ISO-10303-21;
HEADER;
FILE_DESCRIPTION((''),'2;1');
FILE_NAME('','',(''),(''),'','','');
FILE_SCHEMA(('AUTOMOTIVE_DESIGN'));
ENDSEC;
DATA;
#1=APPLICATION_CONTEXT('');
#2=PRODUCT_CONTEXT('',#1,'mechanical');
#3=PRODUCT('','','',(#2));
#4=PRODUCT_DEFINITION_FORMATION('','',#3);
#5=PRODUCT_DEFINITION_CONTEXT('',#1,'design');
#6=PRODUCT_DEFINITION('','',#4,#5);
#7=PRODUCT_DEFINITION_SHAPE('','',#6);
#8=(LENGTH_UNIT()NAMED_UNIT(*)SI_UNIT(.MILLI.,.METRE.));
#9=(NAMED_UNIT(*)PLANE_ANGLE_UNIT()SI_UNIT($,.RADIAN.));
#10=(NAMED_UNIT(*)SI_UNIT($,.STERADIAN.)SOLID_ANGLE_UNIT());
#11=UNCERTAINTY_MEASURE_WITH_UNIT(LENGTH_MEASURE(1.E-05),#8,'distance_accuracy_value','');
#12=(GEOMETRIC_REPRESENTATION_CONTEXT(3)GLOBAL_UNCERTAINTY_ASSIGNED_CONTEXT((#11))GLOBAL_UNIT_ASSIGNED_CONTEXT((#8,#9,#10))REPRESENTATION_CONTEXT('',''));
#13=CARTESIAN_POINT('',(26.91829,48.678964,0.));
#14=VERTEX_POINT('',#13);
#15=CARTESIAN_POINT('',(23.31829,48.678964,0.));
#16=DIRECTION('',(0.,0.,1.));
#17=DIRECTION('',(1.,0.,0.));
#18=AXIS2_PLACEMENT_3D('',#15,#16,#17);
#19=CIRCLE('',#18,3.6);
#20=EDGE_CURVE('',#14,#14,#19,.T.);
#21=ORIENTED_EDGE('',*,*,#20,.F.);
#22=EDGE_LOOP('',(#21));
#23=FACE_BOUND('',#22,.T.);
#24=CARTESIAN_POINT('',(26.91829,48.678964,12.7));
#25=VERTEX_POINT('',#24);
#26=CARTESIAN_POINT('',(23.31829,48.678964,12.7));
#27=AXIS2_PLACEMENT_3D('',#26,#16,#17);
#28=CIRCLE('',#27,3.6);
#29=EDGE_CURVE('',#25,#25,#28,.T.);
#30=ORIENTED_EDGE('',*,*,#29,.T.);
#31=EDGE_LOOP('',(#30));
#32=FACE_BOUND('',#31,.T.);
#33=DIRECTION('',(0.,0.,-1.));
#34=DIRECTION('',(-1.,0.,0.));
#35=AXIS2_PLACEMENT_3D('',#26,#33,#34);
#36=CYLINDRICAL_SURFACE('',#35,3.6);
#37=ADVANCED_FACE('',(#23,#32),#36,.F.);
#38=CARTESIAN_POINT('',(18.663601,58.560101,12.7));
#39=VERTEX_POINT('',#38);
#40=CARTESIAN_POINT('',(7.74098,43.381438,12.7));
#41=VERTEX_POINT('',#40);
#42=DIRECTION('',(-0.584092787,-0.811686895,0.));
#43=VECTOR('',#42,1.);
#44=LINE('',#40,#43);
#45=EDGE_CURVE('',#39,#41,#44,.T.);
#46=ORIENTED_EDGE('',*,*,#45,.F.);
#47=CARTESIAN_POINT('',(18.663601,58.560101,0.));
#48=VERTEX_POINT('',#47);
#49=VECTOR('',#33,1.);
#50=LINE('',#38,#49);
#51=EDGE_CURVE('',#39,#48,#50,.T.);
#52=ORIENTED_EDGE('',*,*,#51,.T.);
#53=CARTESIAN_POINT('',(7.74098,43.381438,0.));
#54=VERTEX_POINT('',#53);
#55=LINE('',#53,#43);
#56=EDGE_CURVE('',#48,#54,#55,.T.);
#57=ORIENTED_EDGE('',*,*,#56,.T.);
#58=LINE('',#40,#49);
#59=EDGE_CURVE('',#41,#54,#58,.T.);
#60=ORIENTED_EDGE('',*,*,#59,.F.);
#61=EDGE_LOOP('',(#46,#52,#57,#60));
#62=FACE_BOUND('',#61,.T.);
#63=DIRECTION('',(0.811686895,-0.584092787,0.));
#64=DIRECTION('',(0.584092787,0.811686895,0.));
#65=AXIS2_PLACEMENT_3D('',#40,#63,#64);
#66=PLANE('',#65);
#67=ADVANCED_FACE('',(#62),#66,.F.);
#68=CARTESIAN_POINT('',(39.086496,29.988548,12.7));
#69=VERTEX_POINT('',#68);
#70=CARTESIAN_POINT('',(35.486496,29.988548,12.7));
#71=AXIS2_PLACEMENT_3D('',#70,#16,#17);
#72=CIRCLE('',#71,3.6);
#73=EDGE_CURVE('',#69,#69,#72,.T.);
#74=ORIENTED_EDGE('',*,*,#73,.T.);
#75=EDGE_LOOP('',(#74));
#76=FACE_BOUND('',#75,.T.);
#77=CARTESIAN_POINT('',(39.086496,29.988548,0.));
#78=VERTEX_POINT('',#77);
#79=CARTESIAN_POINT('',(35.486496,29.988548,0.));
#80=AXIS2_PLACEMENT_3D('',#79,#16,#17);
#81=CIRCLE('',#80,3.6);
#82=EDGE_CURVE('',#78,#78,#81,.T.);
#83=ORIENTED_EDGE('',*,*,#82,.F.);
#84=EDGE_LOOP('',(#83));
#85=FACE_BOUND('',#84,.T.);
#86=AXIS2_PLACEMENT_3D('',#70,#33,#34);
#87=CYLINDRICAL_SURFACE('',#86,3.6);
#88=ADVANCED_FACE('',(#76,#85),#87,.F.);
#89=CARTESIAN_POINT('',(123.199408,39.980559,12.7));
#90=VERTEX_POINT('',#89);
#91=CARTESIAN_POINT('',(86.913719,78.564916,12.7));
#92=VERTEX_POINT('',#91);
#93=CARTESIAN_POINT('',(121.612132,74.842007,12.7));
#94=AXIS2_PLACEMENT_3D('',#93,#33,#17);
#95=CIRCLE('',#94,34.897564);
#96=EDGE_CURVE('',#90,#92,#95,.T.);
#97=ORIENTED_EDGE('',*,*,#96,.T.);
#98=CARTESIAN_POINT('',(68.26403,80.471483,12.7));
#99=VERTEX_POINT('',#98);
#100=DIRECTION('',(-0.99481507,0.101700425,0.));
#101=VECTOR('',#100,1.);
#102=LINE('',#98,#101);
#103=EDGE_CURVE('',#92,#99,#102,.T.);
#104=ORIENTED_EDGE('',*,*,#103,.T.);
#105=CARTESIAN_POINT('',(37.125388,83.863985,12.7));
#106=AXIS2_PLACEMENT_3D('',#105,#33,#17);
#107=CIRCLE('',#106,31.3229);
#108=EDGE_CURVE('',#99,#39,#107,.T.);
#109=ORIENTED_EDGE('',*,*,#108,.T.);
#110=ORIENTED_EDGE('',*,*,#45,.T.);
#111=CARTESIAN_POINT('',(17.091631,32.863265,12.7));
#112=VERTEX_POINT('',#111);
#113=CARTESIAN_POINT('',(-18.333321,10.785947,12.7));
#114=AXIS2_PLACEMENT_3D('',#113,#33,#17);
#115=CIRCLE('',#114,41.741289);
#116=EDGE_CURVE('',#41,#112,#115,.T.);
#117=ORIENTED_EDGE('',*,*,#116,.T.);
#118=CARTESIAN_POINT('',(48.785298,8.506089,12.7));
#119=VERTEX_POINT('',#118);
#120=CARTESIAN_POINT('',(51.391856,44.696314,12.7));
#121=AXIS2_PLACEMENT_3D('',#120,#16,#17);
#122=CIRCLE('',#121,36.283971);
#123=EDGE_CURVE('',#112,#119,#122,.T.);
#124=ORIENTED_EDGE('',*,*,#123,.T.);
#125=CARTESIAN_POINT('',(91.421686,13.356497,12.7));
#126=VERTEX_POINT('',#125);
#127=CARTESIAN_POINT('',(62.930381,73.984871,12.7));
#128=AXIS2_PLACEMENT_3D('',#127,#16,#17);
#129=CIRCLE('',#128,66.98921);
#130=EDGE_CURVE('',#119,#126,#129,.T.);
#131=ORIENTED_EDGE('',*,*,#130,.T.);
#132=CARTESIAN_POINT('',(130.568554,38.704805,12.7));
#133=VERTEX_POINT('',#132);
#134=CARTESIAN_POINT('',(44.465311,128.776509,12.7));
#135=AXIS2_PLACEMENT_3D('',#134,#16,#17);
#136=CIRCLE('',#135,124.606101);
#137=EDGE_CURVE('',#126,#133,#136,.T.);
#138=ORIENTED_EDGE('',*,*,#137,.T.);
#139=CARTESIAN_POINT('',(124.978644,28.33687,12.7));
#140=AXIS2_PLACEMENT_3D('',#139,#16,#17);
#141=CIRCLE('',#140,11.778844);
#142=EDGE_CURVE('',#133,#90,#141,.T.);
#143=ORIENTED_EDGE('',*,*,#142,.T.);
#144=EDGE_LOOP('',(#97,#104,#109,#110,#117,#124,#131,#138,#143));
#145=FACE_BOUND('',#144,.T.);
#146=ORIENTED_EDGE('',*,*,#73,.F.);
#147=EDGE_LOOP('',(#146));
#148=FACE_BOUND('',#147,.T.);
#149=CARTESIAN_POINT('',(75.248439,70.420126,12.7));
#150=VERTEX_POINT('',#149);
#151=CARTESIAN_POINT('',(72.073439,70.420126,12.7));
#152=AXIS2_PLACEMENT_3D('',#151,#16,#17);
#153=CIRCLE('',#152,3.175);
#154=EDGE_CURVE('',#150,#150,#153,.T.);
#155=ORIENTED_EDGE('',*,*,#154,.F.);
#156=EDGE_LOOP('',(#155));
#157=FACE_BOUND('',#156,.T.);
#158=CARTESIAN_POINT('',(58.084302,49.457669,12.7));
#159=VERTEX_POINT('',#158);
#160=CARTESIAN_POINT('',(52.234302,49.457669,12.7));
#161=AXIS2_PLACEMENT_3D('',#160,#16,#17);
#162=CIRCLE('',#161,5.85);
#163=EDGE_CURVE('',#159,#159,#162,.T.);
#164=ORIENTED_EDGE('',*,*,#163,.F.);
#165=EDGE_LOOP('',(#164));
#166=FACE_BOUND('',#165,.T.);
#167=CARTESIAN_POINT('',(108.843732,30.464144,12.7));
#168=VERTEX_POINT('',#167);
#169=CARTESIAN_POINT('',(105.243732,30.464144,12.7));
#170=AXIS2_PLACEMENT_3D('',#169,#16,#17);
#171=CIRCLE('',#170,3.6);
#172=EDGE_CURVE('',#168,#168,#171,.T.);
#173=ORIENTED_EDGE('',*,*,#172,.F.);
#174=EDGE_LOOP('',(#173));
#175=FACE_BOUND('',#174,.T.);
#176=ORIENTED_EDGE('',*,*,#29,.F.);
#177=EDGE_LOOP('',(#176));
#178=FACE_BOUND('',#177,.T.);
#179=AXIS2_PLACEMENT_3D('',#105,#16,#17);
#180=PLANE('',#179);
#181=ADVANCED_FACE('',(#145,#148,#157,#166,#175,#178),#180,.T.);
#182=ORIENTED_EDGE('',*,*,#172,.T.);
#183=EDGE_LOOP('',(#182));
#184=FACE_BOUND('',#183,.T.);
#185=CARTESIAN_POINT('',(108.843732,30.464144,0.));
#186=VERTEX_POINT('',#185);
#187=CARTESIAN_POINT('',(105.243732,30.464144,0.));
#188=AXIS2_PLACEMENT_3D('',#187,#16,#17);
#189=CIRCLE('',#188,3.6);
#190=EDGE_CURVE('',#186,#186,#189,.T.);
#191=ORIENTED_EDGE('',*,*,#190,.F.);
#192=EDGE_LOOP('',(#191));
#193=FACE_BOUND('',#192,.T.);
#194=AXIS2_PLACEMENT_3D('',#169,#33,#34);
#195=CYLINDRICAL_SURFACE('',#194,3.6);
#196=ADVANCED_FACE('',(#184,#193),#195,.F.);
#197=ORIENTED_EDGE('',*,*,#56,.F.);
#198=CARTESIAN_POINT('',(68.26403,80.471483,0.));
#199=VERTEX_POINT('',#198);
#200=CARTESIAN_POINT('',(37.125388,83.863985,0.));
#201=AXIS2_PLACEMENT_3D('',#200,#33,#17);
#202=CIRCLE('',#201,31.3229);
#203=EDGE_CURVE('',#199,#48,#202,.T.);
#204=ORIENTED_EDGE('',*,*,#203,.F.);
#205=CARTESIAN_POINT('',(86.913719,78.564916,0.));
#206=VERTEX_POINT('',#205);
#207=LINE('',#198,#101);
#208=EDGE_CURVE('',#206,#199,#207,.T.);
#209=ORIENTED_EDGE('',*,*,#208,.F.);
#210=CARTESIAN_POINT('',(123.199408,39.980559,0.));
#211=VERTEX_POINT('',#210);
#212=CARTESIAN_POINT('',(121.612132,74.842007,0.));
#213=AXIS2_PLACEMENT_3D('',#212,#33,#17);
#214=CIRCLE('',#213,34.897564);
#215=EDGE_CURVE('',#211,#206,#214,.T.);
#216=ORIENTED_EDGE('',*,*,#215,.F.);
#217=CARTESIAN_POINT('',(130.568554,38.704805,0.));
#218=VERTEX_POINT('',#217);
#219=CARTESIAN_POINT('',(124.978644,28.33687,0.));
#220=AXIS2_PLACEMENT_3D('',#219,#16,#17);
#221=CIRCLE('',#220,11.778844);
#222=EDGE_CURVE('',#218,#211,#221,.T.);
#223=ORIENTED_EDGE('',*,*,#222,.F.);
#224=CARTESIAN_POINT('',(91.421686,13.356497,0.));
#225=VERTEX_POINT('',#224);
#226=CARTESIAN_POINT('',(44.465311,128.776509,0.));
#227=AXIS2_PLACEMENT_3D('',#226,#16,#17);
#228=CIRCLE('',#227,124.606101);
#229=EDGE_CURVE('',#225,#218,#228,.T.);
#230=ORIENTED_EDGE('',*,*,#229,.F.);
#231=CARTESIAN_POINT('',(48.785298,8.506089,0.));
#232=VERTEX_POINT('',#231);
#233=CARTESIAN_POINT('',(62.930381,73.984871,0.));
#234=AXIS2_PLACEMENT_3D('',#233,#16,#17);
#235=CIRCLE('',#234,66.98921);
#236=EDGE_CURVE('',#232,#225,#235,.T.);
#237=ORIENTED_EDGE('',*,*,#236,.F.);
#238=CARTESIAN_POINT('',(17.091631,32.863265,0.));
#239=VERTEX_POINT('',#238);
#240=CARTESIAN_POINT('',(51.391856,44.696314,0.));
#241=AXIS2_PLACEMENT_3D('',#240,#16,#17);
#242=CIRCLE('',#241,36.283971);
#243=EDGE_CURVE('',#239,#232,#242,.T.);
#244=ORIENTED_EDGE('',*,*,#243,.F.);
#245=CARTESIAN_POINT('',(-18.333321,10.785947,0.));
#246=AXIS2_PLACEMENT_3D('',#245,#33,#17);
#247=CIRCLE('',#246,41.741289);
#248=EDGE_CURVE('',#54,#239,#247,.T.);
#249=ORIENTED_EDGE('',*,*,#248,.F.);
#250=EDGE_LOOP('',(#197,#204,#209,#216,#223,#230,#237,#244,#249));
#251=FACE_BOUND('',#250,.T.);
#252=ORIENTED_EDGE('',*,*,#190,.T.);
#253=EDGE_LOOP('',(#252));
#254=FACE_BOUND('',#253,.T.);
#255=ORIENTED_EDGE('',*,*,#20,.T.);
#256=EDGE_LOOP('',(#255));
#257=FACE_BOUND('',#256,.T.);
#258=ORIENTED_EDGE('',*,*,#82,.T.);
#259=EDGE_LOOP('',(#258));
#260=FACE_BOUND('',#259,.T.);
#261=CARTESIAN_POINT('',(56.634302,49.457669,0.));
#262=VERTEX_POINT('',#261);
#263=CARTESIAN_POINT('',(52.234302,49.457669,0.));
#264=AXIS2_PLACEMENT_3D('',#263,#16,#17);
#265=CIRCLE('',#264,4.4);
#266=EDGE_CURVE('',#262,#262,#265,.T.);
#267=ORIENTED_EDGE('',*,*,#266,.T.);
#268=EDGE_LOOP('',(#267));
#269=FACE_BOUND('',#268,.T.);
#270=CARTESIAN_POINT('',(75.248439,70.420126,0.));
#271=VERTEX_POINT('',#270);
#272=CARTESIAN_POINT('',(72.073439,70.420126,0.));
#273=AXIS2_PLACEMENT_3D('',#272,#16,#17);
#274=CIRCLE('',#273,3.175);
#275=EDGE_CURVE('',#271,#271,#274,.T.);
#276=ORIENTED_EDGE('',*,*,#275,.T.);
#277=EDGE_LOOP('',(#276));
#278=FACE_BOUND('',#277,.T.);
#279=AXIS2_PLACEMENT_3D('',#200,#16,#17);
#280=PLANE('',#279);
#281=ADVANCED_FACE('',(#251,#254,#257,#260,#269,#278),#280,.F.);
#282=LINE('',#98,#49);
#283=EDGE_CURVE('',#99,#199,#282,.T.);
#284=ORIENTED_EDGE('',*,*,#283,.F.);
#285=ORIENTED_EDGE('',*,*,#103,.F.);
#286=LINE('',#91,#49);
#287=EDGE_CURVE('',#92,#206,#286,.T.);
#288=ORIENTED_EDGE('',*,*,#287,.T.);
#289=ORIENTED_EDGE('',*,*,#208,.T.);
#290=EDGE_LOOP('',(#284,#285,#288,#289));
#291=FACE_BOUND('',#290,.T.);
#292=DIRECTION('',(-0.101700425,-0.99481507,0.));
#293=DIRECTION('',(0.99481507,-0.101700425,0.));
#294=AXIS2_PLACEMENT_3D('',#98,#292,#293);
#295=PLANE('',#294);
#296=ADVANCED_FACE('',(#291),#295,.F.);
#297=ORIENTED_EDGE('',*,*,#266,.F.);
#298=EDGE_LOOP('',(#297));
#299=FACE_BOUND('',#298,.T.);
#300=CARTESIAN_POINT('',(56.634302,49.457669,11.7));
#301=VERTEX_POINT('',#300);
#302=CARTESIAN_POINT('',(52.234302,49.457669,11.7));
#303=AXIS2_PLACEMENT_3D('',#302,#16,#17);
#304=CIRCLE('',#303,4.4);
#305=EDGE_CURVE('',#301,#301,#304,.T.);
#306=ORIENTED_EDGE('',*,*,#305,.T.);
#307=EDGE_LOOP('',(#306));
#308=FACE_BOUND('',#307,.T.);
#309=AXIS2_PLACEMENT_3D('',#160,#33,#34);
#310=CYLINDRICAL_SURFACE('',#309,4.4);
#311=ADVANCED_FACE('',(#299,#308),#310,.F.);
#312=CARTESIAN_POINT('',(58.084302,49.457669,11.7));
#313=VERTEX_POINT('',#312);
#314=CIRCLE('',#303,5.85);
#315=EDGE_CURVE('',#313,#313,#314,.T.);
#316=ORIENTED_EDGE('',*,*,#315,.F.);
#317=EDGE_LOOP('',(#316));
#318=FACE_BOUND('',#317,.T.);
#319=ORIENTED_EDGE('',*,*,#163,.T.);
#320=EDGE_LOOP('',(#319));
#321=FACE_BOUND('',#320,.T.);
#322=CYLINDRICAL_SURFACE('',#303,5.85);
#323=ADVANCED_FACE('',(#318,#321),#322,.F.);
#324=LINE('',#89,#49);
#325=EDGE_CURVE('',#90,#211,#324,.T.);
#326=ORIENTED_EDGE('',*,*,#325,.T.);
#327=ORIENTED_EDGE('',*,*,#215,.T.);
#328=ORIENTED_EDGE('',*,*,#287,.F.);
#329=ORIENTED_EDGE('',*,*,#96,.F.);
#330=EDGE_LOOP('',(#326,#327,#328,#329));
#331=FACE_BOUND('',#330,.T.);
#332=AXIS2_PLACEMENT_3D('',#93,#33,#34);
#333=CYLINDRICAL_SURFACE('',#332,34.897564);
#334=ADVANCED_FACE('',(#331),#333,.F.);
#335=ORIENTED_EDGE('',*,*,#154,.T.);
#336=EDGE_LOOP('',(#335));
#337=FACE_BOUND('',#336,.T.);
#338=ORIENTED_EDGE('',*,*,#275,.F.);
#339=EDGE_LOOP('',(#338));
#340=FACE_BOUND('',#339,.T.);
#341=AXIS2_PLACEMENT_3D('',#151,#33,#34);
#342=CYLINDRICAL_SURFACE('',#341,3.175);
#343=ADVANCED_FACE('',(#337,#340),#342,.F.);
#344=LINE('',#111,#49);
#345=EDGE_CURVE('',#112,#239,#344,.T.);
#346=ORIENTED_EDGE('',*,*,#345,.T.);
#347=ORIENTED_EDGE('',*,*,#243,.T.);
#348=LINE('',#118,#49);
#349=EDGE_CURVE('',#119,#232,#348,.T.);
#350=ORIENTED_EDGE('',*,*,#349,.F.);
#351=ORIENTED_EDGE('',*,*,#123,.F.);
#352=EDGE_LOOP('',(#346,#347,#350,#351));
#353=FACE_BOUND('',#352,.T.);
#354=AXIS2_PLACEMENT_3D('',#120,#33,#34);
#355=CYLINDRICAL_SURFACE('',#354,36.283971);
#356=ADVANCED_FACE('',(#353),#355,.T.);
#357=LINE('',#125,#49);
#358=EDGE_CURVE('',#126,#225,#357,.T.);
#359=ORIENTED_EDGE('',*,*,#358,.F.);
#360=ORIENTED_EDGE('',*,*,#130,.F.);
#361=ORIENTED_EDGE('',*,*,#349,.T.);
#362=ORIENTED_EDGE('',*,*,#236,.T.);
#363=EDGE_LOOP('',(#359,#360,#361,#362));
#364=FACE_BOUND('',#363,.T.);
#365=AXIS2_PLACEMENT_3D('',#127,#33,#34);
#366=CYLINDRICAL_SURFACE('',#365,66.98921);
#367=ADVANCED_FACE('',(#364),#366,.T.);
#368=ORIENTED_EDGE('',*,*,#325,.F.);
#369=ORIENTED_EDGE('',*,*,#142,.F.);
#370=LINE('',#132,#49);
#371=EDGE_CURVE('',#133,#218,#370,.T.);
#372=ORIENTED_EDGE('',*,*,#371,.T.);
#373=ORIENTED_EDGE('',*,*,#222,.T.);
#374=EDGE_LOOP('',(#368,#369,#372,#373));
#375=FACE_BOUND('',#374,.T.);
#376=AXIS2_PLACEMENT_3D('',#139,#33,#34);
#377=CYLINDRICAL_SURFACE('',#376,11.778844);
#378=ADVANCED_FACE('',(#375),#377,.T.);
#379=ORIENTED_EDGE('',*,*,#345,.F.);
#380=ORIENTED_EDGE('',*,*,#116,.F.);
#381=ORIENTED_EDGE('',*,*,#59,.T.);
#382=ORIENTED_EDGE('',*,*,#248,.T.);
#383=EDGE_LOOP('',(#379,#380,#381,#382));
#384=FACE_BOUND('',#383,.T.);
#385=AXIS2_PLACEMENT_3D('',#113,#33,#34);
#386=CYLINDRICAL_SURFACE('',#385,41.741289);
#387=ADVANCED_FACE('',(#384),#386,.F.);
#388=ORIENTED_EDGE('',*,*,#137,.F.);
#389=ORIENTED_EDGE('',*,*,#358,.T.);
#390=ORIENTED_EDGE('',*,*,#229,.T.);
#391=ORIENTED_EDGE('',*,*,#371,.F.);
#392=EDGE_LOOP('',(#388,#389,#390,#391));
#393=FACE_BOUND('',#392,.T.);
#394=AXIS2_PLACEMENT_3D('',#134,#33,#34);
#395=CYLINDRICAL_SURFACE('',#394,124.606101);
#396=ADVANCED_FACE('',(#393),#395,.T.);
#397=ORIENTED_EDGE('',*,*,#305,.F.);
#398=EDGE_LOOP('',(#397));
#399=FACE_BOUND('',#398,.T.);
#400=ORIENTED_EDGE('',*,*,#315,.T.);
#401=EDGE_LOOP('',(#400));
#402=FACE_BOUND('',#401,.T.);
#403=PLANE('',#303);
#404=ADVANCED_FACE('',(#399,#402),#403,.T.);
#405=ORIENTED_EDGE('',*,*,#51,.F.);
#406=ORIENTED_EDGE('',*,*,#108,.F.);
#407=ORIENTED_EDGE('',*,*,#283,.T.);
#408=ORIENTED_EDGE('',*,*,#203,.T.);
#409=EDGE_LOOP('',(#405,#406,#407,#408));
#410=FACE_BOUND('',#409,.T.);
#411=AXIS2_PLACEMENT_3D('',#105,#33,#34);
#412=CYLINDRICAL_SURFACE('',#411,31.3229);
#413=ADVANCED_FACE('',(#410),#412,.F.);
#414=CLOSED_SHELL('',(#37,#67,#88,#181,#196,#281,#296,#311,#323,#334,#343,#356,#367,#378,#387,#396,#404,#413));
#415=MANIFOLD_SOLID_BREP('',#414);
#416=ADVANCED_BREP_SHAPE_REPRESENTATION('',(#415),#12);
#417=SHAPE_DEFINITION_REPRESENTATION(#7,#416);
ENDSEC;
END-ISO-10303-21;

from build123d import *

# Parameters (mm, degrees)
ESBO_O1_R                = 3.175
ESBO_O1_R_2              = 3.6
ESBO_O1_R_3              = 4.4
RESSALTO_EXTRUS_O1_DEPTH = 12.7
ESBO_O3_R                = 5.85
CORTE_EXTRUS_O1_DEPTH    = 1


with BuildPart() as part:
    # Esboço1 → Ressalto-extrusão1 (new body)
    with BuildSketch(Plane.XY):
        with BuildLine():
            Line((68.264029726, 80.471482556), (86.913718709, 78.564915838))
            ThreePointArc((86.913718709, 78.564915838), (96.190192778, 50.934582064), (123.199407881, 39.98055928))
            ThreePointArc((123.199407881, 39.98055928), (126.9879217, 39.943074462), (130.568554452, 38.704805036))
            ThreePointArc((130.568554452, 38.704805036), (112.191596118, 24.182863465), (91.421685961, 13.356496733))
            ThreePointArc((91.421685961, 13.356496733), (70.502377652, 7.424980082), (48.785297914, 8.506089469))
            ThreePointArc((48.785297914, 8.506089469), (29.282001901, 15.926871282), (17.091631159, 32.863264618))
            ThreePointArc((17.091631159, 32.863264618), (12.862793068, 38.519278229), (7.740980224, 43.381437705))
            Line((7.740980224, 43.381437705), (18.663600862, 58.560101484))
            ThreePointArc((18.663600862, 58.560101484), (49.782513053, 55.212261005), (68.264029726, 80.471482556))
        make_face()
        with Locations((72.07343938, 70.420125946)):
            Circle(ESBO_O1_R, mode=Mode.SUBTRACT)
        with Locations((23.31829005, 48.678964138)):
            Circle(ESBO_O1_R_2, mode=Mode.SUBTRACT)
        with Locations((35.486495683, 29.988548249)):
            Circle(ESBO_O1_R_2, mode=Mode.SUBTRACT)
        with Locations((105.243732184, 30.464144141)):
            Circle(ESBO_O1_R_2, mode=Mode.SUBTRACT)
        with Locations((52.234302046, 49.457669457)):
            Circle(ESBO_O1_R_3, mode=Mode.SUBTRACT)
    extrude(amount=RESSALTO_EXTRUS_O1_DEPTH)

    # Esboço3 → Corte-extrusão1 (cut)
    with BuildSketch(Plane.XY.offset(12.7)):
        with Locations((52.234302046, 49.457669457)):
            Circle(ESBO_O3_R)
    extrude(amount=-CORTE_EXTRUS_O1_DEPTH, mode=Mode.SUBTRACT)


solid = part.part
